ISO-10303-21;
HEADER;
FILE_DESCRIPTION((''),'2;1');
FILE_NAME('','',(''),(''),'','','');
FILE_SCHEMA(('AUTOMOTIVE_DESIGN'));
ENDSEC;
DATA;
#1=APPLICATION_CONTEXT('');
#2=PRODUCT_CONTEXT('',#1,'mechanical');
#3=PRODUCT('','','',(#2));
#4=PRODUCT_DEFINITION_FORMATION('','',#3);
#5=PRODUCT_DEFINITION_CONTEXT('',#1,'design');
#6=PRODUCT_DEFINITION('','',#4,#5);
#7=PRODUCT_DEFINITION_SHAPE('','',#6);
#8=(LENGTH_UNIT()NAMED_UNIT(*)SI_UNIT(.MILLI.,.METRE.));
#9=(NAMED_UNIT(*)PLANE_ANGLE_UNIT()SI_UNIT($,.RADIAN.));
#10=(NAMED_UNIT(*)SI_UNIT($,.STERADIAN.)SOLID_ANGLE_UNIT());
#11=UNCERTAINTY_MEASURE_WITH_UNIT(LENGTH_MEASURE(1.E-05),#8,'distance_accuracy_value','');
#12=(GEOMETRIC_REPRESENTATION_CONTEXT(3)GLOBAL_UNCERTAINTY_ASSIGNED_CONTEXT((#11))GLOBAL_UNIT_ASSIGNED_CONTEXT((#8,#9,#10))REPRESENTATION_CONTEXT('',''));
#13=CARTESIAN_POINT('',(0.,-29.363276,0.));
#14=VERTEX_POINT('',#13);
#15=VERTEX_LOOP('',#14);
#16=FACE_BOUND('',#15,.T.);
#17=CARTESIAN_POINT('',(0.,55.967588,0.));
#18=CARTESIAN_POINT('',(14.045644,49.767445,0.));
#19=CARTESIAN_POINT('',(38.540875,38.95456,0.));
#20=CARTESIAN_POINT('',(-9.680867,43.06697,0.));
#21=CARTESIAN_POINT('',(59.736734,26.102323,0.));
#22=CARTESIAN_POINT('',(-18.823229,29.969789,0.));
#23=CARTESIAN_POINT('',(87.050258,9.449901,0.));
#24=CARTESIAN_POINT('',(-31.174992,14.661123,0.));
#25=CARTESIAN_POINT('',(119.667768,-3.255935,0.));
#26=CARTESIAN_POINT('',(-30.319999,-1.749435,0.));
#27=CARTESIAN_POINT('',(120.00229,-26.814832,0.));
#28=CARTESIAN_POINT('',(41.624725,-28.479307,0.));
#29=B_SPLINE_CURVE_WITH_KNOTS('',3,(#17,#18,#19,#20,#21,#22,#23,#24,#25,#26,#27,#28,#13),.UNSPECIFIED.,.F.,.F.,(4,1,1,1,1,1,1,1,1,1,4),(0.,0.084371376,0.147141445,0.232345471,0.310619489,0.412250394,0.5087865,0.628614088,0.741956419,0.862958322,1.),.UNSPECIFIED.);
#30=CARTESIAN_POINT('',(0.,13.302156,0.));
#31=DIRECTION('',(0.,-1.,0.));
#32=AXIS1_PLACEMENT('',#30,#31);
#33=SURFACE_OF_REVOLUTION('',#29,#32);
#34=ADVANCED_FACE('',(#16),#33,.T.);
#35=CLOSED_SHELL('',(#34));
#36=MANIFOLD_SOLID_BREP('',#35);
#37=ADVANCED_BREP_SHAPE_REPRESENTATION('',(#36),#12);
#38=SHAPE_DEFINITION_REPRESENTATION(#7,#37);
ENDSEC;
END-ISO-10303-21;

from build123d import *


with BuildPart() as f1:
    # F0 (on Top) → F1 (revolve)
    with BuildSketch(Plane.XY):
        with BuildLine():
            add(Edge.make_bspline(
                [(0, 55.9675879776), (14.0456440911, 49.7674449163), (38.5408753804, 38.9545596311), (-9.6808666437, 43.066970279), (59.7367344466, 26.1023234006), (-18.8232287818, 29.9697893453), (87.050258307, 9.4499010779), (-31.1749915576, 14.6611225466), (119.6677680638, -3.2559349113), (-30.3199985574, -1.7494354597), (120.0022899514, -26.8148318483), (41.624724774, -28.479307434), (0, -29.3632764369)],
                knots=[0, 0, 0, 0, 0.0843713757, 0.1471414447, 0.2323454706, 0.3106194887, 0.412250394, 0.5087865004, 0.6286140882, 0.7419564188, 0.862958322, 1, 1, 1, 1], degree=3))
            Line((0, 55.9675879776), (0, -29.3632764369))
        make_face()
    revolve(axis=Axis((0, 13.3021557704, 0), (0, -1, 0)))


solid = f1.part
